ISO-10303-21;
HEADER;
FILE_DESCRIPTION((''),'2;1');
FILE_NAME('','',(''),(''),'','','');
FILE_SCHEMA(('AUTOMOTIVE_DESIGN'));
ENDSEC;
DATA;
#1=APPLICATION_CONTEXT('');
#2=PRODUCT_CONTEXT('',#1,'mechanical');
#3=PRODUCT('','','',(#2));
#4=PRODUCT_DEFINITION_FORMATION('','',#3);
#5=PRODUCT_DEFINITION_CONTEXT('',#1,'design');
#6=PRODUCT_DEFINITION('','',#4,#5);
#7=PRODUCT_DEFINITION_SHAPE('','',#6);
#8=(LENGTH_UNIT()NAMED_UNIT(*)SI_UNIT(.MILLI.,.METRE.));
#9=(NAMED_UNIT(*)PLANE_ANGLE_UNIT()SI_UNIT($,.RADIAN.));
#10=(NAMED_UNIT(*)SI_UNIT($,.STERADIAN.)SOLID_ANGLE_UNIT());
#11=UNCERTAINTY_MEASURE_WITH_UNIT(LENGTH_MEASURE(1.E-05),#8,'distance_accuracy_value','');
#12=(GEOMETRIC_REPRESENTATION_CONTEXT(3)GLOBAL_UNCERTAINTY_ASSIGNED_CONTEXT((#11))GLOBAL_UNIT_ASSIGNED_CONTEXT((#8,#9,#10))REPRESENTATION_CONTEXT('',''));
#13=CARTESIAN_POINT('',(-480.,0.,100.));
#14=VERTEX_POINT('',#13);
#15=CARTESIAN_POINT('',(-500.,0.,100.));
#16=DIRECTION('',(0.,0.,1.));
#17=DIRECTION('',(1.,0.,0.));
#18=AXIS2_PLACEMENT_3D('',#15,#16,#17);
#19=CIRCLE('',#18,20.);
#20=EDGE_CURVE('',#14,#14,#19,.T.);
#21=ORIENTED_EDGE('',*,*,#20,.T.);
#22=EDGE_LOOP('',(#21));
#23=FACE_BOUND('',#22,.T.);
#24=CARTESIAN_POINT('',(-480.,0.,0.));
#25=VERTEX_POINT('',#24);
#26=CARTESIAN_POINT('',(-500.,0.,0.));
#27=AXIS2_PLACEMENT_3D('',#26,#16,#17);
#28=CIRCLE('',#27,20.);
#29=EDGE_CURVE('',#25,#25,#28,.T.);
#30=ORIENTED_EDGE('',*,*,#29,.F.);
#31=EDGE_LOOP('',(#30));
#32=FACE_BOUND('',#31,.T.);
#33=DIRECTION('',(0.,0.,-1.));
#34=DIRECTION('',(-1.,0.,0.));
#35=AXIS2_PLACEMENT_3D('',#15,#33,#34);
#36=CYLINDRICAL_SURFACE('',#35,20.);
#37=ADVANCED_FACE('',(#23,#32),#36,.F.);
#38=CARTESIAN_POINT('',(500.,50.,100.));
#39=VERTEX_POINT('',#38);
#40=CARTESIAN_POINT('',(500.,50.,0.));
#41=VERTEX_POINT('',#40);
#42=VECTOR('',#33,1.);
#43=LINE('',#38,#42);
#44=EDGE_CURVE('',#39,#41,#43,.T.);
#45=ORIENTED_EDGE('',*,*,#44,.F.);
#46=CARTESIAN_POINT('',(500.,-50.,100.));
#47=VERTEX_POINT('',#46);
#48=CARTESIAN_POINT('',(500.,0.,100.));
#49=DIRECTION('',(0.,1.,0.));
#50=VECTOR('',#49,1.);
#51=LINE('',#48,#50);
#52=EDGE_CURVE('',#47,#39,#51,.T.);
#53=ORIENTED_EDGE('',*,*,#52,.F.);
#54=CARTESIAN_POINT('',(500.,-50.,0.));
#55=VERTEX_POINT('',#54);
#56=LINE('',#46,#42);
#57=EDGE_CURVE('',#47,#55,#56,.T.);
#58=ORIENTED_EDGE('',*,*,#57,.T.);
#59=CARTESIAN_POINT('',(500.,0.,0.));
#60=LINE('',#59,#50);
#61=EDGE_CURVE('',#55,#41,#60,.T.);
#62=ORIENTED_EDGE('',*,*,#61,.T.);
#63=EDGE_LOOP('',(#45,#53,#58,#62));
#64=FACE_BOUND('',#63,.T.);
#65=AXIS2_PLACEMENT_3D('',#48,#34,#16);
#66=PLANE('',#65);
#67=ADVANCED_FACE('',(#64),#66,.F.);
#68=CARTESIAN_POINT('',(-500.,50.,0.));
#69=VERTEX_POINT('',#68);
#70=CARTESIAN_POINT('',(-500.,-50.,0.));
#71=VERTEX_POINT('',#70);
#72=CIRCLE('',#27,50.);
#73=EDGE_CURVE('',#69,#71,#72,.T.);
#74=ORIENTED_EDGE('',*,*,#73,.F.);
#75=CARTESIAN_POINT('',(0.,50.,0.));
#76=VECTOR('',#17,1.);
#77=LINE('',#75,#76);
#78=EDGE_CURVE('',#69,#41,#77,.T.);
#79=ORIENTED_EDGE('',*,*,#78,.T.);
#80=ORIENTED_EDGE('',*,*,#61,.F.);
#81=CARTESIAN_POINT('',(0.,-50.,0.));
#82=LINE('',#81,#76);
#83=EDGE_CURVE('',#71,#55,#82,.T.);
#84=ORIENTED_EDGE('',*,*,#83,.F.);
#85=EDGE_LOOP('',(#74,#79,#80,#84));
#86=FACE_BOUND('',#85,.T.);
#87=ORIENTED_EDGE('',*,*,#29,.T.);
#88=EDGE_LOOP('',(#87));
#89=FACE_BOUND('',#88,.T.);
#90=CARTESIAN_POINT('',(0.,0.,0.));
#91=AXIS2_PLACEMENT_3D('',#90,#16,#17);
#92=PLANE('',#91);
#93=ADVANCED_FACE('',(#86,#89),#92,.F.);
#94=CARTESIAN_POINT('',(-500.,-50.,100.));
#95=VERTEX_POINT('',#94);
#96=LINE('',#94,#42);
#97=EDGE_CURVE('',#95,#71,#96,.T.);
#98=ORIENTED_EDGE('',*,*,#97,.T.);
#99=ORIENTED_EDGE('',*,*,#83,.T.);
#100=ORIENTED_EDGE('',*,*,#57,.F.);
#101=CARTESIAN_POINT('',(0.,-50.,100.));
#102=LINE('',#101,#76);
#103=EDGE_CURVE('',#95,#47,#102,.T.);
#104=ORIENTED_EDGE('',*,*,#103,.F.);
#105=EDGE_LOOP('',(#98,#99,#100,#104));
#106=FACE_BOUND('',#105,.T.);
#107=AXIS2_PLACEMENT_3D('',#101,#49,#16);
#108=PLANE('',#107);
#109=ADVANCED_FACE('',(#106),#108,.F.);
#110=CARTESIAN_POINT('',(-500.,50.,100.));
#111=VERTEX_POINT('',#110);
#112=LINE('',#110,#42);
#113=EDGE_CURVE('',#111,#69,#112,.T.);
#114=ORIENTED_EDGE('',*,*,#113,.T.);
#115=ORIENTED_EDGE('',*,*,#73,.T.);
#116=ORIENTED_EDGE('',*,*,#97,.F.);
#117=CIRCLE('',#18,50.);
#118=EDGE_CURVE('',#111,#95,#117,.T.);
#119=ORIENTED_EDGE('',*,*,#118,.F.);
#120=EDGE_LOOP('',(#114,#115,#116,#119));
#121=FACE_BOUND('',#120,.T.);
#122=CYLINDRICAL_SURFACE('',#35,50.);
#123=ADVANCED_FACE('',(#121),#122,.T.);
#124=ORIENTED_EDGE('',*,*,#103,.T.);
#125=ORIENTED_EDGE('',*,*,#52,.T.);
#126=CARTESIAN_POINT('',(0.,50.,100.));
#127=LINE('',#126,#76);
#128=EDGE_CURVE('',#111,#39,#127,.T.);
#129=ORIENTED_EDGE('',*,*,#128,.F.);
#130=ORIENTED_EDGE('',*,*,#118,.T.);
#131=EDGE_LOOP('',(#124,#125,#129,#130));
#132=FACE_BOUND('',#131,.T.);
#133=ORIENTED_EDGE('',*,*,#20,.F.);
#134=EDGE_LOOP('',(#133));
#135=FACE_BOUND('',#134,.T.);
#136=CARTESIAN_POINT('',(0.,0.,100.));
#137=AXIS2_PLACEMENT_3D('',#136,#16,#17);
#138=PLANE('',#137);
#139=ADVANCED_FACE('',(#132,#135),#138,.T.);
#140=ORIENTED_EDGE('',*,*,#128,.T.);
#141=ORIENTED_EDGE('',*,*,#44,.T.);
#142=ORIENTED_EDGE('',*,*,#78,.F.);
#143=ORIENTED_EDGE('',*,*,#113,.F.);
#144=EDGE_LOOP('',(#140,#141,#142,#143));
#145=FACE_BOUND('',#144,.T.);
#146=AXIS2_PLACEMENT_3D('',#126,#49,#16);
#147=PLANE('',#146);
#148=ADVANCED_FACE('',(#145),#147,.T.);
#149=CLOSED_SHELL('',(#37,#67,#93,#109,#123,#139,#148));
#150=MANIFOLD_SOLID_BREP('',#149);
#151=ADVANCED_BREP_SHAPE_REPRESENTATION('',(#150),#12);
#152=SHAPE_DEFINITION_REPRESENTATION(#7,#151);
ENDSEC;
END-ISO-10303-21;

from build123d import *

# Parameters (mm, degrees)
EXTRUDE_1_DEPTH = 100


with BuildPart() as part:
    # ｽｹｯﾁ1 → ﾎﾞｽ - 押し出し1 (new body)
    with BuildSketch(Plane.XY):
        with BuildLine():
            ThreePointArc((-500, 50), (-550, 0), (-500, -50))
            Line((-500, -50), (-500, -20))
            ThreePointArc((-500, -20), (-520, 0), (-500, 20))
            Line((-500, 20), (-500, 50))
        make_face()
        with BuildLine():
            Line((-500, -20), (-500, -50))
            ThreePointArc((-500, -50), (-464.644660941, -35.355339059), (-450, 0))
            ThreePointArc((-450, 0), (-464.644660941, 35.355339059), (-500, 50))
            Line((-500, 50), (-500, 20))
            ThreePointArc((-500, 20), (-485.857864376, 14.142135624), (-480, 0))
            ThreePointArc((-480, 0), (-485.857864376, -14.142135624), (-500, -20))
        make_face()
        with BuildLine():
            ThreePointArc((-450, 0), (-464.644660941, -35.355339059), (-500, -50))
            Line((-500, -50), (500, -50))
            Line((500, -50), (500, 50))
            Line((500, 50), (-500, 50))
            ThreePointArc((-500, 50), (-464.644660941, 35.355339059), (-450, 0))
        make_face()
    extrude(amount=EXTRUDE_1_DEPTH)


solid = part.part
